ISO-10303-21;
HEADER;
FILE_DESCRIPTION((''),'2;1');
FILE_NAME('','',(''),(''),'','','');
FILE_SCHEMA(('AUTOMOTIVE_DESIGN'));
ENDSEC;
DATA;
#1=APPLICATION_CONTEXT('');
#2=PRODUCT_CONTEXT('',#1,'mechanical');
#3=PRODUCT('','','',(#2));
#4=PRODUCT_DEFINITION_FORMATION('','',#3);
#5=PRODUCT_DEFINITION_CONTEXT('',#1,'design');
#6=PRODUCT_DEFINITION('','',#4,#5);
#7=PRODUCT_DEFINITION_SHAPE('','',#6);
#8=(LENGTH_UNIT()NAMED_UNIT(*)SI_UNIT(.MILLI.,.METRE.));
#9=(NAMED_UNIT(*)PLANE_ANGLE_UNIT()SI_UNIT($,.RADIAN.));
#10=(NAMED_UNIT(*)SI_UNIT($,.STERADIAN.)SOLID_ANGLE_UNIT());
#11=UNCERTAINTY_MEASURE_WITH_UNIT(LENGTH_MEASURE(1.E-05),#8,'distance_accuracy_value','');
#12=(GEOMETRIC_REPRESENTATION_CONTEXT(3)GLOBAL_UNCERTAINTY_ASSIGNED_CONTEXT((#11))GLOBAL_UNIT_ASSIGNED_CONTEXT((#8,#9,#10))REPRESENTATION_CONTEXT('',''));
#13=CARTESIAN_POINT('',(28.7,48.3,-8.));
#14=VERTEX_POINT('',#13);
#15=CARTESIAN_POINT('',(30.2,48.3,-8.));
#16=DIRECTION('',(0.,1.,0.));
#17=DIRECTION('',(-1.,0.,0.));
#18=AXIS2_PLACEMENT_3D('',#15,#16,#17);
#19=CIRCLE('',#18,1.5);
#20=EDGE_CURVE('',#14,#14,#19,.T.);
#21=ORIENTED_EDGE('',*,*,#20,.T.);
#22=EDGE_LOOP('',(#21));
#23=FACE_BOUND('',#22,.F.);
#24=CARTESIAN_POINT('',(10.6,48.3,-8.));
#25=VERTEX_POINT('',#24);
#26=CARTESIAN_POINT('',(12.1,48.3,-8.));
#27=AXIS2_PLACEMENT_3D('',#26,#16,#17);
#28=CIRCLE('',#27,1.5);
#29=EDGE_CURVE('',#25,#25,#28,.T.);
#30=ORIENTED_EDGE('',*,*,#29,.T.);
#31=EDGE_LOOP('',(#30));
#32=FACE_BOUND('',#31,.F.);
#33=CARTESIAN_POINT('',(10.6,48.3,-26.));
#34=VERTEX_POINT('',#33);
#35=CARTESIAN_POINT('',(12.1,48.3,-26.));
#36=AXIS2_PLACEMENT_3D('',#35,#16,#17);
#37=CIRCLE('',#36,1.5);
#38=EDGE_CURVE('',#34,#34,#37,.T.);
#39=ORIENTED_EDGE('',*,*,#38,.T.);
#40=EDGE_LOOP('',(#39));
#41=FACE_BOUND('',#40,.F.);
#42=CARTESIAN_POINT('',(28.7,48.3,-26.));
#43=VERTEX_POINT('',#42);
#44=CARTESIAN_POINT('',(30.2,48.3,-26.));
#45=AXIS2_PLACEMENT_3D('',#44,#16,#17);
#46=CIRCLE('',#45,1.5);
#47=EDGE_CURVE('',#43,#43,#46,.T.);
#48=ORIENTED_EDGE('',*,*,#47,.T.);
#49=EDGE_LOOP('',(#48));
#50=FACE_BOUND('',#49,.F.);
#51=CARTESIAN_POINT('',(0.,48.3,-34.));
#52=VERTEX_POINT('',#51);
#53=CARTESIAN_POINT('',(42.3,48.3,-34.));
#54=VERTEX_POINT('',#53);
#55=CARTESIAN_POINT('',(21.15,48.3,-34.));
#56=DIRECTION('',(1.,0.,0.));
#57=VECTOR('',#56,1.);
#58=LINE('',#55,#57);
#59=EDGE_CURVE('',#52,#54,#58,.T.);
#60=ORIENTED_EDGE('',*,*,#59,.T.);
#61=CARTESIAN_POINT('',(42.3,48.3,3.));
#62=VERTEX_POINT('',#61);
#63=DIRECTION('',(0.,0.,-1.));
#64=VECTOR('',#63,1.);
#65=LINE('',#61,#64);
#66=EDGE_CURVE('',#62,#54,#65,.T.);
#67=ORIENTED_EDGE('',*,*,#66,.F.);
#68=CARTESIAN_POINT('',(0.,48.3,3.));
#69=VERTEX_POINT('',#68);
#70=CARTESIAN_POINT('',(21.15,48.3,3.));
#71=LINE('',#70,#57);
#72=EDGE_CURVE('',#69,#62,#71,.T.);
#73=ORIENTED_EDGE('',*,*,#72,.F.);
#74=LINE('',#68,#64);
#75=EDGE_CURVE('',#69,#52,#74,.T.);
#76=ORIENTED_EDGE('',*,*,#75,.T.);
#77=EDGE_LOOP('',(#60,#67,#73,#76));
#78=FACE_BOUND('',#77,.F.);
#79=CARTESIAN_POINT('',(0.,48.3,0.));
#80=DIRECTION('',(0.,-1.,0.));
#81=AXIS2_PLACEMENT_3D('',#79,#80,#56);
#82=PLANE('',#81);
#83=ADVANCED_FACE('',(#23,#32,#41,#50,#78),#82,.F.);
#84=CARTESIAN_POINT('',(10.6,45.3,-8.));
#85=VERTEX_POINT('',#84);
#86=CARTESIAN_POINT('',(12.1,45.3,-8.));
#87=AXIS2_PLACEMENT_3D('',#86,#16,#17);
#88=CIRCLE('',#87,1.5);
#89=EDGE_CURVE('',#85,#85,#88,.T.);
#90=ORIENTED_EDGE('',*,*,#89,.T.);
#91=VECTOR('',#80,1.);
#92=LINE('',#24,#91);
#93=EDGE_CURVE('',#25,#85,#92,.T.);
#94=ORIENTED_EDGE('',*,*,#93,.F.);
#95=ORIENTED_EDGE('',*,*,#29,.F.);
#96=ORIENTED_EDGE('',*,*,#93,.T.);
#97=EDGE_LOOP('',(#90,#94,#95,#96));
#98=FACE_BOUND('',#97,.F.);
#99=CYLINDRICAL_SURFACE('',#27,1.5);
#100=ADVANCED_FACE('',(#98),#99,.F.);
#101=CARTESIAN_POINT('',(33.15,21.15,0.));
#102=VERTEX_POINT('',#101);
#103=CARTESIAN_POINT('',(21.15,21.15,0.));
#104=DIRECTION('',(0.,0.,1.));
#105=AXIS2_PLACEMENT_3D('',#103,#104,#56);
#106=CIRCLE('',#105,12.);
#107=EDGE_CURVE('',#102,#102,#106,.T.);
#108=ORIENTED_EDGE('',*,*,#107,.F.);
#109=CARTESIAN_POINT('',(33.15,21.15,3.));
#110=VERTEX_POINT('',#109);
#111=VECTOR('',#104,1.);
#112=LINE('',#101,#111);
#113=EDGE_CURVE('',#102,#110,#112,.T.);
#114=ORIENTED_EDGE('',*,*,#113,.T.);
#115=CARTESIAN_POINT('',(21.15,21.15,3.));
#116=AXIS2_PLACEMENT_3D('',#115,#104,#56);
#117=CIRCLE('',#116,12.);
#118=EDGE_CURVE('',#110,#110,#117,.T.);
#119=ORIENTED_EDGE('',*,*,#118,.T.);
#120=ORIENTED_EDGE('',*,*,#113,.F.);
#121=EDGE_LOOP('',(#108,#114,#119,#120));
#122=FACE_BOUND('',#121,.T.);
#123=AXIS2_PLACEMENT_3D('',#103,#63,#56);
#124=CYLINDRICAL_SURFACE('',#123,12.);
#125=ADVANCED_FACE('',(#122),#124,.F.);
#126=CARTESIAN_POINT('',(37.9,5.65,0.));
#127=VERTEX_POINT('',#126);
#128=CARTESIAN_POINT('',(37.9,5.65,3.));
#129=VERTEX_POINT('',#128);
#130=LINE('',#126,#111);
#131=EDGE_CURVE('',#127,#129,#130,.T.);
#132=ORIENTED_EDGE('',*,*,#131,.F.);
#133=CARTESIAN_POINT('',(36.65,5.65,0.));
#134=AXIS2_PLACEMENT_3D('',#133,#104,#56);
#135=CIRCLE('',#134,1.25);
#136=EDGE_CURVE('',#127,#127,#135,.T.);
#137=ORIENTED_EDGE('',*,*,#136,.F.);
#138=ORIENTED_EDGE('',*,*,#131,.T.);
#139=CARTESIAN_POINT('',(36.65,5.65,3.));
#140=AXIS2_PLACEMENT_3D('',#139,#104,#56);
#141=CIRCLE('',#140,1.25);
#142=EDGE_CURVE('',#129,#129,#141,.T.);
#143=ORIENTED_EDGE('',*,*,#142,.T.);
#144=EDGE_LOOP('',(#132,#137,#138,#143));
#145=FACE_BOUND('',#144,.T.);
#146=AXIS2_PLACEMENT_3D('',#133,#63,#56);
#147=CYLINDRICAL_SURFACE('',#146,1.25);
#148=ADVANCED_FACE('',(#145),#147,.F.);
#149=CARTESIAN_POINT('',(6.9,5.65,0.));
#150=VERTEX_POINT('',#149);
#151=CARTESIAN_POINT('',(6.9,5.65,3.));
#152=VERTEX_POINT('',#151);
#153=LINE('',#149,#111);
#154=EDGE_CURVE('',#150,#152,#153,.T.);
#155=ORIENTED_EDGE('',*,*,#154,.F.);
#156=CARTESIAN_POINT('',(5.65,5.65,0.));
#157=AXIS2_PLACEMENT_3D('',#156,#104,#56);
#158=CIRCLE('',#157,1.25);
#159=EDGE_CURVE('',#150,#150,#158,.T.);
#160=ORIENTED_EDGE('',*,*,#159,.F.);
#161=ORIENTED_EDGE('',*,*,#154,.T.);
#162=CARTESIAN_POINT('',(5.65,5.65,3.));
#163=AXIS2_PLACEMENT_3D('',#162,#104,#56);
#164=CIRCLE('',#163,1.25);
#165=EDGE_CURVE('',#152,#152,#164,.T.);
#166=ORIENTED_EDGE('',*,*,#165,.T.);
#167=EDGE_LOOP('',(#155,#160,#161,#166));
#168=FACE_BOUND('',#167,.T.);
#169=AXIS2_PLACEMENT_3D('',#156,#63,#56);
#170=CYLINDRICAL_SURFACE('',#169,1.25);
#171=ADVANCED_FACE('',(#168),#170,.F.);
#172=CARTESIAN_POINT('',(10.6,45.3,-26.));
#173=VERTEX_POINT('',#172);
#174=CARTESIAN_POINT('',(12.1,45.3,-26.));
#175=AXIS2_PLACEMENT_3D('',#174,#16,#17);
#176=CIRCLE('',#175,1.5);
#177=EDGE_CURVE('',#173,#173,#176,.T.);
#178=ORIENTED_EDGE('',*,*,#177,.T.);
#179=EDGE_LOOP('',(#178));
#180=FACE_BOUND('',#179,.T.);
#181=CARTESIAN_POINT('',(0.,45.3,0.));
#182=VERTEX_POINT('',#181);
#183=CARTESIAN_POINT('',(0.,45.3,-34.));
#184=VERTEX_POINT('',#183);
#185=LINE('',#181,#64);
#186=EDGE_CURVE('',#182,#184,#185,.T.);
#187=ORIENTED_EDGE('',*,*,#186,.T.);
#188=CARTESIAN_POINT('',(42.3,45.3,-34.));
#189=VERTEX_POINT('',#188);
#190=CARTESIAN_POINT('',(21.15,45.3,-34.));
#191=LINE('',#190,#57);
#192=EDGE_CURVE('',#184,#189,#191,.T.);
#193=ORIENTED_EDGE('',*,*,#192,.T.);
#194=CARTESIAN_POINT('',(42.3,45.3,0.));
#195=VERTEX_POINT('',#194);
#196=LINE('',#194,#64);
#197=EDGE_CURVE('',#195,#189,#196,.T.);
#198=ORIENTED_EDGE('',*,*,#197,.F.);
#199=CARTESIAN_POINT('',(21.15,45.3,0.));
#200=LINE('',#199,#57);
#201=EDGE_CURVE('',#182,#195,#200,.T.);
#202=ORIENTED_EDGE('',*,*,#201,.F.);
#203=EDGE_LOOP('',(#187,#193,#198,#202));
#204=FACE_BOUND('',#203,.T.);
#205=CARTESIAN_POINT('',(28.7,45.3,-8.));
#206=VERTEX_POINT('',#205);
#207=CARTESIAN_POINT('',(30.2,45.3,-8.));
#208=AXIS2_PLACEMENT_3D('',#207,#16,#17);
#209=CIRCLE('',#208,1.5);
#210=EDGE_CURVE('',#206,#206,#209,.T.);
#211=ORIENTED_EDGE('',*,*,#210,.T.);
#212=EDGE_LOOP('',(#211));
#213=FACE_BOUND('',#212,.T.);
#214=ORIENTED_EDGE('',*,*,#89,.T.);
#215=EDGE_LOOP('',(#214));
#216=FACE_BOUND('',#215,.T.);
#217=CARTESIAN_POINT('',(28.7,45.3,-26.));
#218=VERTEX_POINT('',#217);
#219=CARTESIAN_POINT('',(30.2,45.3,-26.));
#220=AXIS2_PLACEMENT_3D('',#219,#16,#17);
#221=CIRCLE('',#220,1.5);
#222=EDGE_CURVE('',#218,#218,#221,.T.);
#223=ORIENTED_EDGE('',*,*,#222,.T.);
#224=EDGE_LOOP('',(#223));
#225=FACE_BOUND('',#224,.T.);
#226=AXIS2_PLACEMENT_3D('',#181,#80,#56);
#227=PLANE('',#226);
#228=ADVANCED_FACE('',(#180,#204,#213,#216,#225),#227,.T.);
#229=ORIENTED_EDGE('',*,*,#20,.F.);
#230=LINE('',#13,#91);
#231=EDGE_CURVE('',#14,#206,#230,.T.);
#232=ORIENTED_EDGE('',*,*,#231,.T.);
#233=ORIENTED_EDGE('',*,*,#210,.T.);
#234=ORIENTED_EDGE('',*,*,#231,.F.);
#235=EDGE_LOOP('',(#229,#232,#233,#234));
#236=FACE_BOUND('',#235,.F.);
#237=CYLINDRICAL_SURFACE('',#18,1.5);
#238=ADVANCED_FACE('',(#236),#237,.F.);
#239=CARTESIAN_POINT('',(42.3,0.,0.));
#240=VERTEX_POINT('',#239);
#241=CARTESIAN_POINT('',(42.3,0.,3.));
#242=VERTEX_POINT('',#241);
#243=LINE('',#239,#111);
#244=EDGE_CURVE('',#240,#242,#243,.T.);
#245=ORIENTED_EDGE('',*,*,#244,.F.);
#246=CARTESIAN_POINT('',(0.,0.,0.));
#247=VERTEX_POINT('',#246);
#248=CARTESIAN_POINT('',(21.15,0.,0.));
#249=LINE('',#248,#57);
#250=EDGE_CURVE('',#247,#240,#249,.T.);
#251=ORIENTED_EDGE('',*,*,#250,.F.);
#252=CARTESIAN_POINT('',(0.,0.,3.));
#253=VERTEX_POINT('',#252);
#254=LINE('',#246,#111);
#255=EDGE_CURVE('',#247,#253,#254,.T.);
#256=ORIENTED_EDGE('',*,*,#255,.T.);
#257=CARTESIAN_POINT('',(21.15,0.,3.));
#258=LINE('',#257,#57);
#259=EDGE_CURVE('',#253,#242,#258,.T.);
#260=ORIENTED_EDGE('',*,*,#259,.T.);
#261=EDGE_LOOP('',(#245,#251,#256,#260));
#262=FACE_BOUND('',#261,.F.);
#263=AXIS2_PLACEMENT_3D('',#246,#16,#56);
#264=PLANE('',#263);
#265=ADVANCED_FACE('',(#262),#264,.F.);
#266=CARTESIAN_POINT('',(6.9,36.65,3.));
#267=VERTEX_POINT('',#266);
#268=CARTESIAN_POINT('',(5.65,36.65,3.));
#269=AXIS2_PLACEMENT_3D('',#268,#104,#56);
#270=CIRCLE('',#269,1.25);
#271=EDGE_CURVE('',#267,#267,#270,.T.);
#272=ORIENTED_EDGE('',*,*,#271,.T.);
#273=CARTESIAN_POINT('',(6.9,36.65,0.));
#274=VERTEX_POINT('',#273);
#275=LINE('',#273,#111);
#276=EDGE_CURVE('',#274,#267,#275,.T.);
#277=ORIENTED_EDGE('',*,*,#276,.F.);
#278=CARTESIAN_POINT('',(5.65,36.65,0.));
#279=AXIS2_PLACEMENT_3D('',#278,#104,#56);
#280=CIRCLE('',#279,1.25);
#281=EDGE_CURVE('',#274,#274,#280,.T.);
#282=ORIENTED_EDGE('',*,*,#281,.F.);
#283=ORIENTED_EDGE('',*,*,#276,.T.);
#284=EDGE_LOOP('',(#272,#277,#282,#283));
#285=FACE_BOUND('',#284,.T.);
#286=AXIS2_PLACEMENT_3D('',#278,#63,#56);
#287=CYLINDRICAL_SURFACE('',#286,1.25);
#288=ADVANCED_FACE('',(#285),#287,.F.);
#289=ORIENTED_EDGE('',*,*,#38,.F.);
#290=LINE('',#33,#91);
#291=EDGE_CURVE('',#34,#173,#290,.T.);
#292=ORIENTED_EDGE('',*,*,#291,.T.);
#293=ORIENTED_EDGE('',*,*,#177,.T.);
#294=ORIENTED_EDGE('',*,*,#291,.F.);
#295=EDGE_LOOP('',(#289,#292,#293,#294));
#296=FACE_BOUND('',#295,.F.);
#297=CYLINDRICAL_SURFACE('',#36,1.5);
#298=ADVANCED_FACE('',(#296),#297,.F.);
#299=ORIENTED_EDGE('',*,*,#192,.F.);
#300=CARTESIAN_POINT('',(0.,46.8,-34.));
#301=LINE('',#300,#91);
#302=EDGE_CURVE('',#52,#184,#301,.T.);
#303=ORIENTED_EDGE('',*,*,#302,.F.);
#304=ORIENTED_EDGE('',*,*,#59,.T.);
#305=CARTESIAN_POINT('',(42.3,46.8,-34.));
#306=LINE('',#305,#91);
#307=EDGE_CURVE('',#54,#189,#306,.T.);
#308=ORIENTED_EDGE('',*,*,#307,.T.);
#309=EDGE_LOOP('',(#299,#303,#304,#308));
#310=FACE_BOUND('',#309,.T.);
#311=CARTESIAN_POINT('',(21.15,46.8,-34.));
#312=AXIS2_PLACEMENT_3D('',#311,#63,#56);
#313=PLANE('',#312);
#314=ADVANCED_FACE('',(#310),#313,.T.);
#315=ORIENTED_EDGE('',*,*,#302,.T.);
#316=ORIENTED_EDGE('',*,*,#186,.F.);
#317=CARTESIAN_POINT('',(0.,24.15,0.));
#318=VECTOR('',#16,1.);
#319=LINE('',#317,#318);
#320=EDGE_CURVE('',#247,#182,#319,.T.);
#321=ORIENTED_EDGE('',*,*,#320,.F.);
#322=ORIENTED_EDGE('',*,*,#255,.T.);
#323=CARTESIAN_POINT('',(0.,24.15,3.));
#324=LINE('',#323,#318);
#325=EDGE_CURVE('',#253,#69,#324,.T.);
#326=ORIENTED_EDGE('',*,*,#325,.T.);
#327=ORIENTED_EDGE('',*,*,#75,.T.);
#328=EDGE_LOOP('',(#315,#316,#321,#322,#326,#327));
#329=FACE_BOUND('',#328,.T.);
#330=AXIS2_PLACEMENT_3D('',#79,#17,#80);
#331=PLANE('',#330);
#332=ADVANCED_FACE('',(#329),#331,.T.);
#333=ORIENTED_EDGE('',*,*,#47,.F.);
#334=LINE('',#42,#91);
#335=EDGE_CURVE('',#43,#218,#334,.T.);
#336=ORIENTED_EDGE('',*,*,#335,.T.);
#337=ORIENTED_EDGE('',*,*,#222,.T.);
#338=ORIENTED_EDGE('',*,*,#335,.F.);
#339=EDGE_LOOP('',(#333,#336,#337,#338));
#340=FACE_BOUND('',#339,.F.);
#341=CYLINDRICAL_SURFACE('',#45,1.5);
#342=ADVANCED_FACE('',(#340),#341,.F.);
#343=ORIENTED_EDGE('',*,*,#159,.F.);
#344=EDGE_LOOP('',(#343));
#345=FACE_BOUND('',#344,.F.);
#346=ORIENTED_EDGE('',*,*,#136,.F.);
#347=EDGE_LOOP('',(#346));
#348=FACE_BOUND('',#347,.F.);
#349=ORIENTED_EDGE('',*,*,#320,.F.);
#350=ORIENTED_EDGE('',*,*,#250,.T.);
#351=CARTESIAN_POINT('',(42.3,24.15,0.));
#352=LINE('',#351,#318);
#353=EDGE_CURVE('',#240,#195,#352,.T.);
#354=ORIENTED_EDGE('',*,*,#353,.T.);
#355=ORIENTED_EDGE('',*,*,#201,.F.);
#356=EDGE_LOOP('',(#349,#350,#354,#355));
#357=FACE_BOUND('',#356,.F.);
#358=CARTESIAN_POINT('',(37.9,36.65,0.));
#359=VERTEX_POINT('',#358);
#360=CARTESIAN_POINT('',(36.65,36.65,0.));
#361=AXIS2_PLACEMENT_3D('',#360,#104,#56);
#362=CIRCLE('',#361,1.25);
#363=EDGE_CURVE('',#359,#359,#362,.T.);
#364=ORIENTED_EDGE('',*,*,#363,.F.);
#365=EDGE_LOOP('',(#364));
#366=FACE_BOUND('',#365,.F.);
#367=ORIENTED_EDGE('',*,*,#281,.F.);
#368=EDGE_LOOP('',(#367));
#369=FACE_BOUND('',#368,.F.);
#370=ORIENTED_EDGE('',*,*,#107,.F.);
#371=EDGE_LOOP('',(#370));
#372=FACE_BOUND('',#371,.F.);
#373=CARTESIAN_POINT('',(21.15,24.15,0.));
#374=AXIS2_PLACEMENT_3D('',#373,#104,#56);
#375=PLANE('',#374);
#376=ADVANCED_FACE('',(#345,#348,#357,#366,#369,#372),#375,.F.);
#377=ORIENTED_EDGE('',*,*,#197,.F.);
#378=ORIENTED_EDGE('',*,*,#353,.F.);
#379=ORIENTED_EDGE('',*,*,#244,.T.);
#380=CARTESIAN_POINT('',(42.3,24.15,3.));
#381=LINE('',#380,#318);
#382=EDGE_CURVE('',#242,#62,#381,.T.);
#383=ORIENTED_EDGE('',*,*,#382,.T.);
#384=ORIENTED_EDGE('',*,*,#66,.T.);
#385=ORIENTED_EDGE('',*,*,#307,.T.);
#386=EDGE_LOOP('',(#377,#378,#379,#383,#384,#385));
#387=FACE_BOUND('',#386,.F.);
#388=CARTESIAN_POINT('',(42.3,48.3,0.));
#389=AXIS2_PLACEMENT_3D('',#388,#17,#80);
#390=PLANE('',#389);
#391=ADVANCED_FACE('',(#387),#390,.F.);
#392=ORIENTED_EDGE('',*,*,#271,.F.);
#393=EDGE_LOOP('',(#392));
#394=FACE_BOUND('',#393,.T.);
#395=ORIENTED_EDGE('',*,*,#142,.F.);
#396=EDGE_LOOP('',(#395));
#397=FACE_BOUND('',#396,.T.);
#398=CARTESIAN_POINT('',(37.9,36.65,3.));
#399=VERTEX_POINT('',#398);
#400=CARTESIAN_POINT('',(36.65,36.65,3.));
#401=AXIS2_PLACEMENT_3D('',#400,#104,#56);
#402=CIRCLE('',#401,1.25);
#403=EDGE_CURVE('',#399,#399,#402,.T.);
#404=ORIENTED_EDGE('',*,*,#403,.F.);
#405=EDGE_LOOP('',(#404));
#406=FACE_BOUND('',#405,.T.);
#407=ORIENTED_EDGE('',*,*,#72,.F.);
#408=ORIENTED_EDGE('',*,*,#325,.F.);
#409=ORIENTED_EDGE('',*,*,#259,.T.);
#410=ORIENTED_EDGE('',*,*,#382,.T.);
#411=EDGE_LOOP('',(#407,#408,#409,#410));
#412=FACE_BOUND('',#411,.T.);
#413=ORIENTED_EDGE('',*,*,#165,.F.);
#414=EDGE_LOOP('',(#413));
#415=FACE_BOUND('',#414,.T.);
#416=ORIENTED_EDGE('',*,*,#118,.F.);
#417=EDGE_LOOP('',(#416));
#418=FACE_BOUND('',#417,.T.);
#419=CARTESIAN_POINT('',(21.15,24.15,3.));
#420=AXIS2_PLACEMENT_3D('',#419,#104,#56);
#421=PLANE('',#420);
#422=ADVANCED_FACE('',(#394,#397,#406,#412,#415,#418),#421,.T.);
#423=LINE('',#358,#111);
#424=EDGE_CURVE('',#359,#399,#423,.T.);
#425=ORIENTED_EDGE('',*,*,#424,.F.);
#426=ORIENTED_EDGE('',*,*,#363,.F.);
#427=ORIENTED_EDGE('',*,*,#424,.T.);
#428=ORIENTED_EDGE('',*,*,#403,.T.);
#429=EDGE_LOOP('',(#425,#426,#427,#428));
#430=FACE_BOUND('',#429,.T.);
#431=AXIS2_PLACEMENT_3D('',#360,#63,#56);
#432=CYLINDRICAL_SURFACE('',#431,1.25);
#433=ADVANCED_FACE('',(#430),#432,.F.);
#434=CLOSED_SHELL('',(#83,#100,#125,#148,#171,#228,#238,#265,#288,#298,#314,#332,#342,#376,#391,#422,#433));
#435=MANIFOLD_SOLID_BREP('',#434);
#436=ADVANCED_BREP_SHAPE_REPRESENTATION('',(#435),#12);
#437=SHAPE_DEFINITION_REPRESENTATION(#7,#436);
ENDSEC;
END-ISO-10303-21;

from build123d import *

# Parameters (mm, degrees)
SKETCH_W     = 42.3
SKETCH_H     = 48.3
SKETCH_R     = 1.25
SKETCH_R_2   = 12
PAD_DEPTH    = 3
SKETCH001_W  = 42.3
SKETCH001_H  = 3
PAD001_DEPTH = 34
SKETCH002_R  = 1.5
POCKET_DEPTH = 48.301


with BuildPart() as part:
    # Sketch → Pad (new body)
    with BuildSketch(Plane.XY):
        with Locations((21.15, 24.15)):
            Rectangle(SKETCH_W, SKETCH_H)
        with Locations((5.65, 36.65)):
            Circle(SKETCH_R, mode=Mode.SUBTRACT)
        with Locations((36.65, 36.65)):
            Circle(SKETCH_R, mode=Mode.SUBTRACT)
        with Locations((5.65, 5.65)):
            Circle(SKETCH_R, mode=Mode.SUBTRACT)
        with Locations((36.65, 5.65)):
            Circle(SKETCH_R, mode=Mode.SUBTRACT)
        with Locations((21.15, 21.15)):
            Circle(SKETCH_R_2, mode=Mode.SUBTRACT)
    extrude(amount=PAD_DEPTH)

    # Sketch001 → Pad001 (new body)
    with BuildSketch(Plane(origin=(0, 0, 0), x_dir=(1, 0, 0), z_dir=(0, 0, -1))):
        with Locations((21.15, -46.8)):
            Rectangle(SKETCH001_W, SKETCH001_H)
    extrude(amount=PAD001_DEPTH)

    # Sketch002 → Pocket (cut, through all)
    with BuildSketch(Plane(origin=(0, 48.3, 0), x_dir=(-1, 0, 0), z_dir=(0, 1, 0))):
        with Locations((-30.2, -8)):
            Circle(SKETCH002_R)
        with Locations((-12.1, -8)):
            Circle(SKETCH002_R)
        with Locations((-30.2, -26)):
            Circle(SKETCH002_R)
        with Locations((-12.1, -26)):
            Circle(SKETCH002_R)
    extrude(amount=-POCKET_DEPTH, mode=Mode.SUBTRACT)


solid = part.part
